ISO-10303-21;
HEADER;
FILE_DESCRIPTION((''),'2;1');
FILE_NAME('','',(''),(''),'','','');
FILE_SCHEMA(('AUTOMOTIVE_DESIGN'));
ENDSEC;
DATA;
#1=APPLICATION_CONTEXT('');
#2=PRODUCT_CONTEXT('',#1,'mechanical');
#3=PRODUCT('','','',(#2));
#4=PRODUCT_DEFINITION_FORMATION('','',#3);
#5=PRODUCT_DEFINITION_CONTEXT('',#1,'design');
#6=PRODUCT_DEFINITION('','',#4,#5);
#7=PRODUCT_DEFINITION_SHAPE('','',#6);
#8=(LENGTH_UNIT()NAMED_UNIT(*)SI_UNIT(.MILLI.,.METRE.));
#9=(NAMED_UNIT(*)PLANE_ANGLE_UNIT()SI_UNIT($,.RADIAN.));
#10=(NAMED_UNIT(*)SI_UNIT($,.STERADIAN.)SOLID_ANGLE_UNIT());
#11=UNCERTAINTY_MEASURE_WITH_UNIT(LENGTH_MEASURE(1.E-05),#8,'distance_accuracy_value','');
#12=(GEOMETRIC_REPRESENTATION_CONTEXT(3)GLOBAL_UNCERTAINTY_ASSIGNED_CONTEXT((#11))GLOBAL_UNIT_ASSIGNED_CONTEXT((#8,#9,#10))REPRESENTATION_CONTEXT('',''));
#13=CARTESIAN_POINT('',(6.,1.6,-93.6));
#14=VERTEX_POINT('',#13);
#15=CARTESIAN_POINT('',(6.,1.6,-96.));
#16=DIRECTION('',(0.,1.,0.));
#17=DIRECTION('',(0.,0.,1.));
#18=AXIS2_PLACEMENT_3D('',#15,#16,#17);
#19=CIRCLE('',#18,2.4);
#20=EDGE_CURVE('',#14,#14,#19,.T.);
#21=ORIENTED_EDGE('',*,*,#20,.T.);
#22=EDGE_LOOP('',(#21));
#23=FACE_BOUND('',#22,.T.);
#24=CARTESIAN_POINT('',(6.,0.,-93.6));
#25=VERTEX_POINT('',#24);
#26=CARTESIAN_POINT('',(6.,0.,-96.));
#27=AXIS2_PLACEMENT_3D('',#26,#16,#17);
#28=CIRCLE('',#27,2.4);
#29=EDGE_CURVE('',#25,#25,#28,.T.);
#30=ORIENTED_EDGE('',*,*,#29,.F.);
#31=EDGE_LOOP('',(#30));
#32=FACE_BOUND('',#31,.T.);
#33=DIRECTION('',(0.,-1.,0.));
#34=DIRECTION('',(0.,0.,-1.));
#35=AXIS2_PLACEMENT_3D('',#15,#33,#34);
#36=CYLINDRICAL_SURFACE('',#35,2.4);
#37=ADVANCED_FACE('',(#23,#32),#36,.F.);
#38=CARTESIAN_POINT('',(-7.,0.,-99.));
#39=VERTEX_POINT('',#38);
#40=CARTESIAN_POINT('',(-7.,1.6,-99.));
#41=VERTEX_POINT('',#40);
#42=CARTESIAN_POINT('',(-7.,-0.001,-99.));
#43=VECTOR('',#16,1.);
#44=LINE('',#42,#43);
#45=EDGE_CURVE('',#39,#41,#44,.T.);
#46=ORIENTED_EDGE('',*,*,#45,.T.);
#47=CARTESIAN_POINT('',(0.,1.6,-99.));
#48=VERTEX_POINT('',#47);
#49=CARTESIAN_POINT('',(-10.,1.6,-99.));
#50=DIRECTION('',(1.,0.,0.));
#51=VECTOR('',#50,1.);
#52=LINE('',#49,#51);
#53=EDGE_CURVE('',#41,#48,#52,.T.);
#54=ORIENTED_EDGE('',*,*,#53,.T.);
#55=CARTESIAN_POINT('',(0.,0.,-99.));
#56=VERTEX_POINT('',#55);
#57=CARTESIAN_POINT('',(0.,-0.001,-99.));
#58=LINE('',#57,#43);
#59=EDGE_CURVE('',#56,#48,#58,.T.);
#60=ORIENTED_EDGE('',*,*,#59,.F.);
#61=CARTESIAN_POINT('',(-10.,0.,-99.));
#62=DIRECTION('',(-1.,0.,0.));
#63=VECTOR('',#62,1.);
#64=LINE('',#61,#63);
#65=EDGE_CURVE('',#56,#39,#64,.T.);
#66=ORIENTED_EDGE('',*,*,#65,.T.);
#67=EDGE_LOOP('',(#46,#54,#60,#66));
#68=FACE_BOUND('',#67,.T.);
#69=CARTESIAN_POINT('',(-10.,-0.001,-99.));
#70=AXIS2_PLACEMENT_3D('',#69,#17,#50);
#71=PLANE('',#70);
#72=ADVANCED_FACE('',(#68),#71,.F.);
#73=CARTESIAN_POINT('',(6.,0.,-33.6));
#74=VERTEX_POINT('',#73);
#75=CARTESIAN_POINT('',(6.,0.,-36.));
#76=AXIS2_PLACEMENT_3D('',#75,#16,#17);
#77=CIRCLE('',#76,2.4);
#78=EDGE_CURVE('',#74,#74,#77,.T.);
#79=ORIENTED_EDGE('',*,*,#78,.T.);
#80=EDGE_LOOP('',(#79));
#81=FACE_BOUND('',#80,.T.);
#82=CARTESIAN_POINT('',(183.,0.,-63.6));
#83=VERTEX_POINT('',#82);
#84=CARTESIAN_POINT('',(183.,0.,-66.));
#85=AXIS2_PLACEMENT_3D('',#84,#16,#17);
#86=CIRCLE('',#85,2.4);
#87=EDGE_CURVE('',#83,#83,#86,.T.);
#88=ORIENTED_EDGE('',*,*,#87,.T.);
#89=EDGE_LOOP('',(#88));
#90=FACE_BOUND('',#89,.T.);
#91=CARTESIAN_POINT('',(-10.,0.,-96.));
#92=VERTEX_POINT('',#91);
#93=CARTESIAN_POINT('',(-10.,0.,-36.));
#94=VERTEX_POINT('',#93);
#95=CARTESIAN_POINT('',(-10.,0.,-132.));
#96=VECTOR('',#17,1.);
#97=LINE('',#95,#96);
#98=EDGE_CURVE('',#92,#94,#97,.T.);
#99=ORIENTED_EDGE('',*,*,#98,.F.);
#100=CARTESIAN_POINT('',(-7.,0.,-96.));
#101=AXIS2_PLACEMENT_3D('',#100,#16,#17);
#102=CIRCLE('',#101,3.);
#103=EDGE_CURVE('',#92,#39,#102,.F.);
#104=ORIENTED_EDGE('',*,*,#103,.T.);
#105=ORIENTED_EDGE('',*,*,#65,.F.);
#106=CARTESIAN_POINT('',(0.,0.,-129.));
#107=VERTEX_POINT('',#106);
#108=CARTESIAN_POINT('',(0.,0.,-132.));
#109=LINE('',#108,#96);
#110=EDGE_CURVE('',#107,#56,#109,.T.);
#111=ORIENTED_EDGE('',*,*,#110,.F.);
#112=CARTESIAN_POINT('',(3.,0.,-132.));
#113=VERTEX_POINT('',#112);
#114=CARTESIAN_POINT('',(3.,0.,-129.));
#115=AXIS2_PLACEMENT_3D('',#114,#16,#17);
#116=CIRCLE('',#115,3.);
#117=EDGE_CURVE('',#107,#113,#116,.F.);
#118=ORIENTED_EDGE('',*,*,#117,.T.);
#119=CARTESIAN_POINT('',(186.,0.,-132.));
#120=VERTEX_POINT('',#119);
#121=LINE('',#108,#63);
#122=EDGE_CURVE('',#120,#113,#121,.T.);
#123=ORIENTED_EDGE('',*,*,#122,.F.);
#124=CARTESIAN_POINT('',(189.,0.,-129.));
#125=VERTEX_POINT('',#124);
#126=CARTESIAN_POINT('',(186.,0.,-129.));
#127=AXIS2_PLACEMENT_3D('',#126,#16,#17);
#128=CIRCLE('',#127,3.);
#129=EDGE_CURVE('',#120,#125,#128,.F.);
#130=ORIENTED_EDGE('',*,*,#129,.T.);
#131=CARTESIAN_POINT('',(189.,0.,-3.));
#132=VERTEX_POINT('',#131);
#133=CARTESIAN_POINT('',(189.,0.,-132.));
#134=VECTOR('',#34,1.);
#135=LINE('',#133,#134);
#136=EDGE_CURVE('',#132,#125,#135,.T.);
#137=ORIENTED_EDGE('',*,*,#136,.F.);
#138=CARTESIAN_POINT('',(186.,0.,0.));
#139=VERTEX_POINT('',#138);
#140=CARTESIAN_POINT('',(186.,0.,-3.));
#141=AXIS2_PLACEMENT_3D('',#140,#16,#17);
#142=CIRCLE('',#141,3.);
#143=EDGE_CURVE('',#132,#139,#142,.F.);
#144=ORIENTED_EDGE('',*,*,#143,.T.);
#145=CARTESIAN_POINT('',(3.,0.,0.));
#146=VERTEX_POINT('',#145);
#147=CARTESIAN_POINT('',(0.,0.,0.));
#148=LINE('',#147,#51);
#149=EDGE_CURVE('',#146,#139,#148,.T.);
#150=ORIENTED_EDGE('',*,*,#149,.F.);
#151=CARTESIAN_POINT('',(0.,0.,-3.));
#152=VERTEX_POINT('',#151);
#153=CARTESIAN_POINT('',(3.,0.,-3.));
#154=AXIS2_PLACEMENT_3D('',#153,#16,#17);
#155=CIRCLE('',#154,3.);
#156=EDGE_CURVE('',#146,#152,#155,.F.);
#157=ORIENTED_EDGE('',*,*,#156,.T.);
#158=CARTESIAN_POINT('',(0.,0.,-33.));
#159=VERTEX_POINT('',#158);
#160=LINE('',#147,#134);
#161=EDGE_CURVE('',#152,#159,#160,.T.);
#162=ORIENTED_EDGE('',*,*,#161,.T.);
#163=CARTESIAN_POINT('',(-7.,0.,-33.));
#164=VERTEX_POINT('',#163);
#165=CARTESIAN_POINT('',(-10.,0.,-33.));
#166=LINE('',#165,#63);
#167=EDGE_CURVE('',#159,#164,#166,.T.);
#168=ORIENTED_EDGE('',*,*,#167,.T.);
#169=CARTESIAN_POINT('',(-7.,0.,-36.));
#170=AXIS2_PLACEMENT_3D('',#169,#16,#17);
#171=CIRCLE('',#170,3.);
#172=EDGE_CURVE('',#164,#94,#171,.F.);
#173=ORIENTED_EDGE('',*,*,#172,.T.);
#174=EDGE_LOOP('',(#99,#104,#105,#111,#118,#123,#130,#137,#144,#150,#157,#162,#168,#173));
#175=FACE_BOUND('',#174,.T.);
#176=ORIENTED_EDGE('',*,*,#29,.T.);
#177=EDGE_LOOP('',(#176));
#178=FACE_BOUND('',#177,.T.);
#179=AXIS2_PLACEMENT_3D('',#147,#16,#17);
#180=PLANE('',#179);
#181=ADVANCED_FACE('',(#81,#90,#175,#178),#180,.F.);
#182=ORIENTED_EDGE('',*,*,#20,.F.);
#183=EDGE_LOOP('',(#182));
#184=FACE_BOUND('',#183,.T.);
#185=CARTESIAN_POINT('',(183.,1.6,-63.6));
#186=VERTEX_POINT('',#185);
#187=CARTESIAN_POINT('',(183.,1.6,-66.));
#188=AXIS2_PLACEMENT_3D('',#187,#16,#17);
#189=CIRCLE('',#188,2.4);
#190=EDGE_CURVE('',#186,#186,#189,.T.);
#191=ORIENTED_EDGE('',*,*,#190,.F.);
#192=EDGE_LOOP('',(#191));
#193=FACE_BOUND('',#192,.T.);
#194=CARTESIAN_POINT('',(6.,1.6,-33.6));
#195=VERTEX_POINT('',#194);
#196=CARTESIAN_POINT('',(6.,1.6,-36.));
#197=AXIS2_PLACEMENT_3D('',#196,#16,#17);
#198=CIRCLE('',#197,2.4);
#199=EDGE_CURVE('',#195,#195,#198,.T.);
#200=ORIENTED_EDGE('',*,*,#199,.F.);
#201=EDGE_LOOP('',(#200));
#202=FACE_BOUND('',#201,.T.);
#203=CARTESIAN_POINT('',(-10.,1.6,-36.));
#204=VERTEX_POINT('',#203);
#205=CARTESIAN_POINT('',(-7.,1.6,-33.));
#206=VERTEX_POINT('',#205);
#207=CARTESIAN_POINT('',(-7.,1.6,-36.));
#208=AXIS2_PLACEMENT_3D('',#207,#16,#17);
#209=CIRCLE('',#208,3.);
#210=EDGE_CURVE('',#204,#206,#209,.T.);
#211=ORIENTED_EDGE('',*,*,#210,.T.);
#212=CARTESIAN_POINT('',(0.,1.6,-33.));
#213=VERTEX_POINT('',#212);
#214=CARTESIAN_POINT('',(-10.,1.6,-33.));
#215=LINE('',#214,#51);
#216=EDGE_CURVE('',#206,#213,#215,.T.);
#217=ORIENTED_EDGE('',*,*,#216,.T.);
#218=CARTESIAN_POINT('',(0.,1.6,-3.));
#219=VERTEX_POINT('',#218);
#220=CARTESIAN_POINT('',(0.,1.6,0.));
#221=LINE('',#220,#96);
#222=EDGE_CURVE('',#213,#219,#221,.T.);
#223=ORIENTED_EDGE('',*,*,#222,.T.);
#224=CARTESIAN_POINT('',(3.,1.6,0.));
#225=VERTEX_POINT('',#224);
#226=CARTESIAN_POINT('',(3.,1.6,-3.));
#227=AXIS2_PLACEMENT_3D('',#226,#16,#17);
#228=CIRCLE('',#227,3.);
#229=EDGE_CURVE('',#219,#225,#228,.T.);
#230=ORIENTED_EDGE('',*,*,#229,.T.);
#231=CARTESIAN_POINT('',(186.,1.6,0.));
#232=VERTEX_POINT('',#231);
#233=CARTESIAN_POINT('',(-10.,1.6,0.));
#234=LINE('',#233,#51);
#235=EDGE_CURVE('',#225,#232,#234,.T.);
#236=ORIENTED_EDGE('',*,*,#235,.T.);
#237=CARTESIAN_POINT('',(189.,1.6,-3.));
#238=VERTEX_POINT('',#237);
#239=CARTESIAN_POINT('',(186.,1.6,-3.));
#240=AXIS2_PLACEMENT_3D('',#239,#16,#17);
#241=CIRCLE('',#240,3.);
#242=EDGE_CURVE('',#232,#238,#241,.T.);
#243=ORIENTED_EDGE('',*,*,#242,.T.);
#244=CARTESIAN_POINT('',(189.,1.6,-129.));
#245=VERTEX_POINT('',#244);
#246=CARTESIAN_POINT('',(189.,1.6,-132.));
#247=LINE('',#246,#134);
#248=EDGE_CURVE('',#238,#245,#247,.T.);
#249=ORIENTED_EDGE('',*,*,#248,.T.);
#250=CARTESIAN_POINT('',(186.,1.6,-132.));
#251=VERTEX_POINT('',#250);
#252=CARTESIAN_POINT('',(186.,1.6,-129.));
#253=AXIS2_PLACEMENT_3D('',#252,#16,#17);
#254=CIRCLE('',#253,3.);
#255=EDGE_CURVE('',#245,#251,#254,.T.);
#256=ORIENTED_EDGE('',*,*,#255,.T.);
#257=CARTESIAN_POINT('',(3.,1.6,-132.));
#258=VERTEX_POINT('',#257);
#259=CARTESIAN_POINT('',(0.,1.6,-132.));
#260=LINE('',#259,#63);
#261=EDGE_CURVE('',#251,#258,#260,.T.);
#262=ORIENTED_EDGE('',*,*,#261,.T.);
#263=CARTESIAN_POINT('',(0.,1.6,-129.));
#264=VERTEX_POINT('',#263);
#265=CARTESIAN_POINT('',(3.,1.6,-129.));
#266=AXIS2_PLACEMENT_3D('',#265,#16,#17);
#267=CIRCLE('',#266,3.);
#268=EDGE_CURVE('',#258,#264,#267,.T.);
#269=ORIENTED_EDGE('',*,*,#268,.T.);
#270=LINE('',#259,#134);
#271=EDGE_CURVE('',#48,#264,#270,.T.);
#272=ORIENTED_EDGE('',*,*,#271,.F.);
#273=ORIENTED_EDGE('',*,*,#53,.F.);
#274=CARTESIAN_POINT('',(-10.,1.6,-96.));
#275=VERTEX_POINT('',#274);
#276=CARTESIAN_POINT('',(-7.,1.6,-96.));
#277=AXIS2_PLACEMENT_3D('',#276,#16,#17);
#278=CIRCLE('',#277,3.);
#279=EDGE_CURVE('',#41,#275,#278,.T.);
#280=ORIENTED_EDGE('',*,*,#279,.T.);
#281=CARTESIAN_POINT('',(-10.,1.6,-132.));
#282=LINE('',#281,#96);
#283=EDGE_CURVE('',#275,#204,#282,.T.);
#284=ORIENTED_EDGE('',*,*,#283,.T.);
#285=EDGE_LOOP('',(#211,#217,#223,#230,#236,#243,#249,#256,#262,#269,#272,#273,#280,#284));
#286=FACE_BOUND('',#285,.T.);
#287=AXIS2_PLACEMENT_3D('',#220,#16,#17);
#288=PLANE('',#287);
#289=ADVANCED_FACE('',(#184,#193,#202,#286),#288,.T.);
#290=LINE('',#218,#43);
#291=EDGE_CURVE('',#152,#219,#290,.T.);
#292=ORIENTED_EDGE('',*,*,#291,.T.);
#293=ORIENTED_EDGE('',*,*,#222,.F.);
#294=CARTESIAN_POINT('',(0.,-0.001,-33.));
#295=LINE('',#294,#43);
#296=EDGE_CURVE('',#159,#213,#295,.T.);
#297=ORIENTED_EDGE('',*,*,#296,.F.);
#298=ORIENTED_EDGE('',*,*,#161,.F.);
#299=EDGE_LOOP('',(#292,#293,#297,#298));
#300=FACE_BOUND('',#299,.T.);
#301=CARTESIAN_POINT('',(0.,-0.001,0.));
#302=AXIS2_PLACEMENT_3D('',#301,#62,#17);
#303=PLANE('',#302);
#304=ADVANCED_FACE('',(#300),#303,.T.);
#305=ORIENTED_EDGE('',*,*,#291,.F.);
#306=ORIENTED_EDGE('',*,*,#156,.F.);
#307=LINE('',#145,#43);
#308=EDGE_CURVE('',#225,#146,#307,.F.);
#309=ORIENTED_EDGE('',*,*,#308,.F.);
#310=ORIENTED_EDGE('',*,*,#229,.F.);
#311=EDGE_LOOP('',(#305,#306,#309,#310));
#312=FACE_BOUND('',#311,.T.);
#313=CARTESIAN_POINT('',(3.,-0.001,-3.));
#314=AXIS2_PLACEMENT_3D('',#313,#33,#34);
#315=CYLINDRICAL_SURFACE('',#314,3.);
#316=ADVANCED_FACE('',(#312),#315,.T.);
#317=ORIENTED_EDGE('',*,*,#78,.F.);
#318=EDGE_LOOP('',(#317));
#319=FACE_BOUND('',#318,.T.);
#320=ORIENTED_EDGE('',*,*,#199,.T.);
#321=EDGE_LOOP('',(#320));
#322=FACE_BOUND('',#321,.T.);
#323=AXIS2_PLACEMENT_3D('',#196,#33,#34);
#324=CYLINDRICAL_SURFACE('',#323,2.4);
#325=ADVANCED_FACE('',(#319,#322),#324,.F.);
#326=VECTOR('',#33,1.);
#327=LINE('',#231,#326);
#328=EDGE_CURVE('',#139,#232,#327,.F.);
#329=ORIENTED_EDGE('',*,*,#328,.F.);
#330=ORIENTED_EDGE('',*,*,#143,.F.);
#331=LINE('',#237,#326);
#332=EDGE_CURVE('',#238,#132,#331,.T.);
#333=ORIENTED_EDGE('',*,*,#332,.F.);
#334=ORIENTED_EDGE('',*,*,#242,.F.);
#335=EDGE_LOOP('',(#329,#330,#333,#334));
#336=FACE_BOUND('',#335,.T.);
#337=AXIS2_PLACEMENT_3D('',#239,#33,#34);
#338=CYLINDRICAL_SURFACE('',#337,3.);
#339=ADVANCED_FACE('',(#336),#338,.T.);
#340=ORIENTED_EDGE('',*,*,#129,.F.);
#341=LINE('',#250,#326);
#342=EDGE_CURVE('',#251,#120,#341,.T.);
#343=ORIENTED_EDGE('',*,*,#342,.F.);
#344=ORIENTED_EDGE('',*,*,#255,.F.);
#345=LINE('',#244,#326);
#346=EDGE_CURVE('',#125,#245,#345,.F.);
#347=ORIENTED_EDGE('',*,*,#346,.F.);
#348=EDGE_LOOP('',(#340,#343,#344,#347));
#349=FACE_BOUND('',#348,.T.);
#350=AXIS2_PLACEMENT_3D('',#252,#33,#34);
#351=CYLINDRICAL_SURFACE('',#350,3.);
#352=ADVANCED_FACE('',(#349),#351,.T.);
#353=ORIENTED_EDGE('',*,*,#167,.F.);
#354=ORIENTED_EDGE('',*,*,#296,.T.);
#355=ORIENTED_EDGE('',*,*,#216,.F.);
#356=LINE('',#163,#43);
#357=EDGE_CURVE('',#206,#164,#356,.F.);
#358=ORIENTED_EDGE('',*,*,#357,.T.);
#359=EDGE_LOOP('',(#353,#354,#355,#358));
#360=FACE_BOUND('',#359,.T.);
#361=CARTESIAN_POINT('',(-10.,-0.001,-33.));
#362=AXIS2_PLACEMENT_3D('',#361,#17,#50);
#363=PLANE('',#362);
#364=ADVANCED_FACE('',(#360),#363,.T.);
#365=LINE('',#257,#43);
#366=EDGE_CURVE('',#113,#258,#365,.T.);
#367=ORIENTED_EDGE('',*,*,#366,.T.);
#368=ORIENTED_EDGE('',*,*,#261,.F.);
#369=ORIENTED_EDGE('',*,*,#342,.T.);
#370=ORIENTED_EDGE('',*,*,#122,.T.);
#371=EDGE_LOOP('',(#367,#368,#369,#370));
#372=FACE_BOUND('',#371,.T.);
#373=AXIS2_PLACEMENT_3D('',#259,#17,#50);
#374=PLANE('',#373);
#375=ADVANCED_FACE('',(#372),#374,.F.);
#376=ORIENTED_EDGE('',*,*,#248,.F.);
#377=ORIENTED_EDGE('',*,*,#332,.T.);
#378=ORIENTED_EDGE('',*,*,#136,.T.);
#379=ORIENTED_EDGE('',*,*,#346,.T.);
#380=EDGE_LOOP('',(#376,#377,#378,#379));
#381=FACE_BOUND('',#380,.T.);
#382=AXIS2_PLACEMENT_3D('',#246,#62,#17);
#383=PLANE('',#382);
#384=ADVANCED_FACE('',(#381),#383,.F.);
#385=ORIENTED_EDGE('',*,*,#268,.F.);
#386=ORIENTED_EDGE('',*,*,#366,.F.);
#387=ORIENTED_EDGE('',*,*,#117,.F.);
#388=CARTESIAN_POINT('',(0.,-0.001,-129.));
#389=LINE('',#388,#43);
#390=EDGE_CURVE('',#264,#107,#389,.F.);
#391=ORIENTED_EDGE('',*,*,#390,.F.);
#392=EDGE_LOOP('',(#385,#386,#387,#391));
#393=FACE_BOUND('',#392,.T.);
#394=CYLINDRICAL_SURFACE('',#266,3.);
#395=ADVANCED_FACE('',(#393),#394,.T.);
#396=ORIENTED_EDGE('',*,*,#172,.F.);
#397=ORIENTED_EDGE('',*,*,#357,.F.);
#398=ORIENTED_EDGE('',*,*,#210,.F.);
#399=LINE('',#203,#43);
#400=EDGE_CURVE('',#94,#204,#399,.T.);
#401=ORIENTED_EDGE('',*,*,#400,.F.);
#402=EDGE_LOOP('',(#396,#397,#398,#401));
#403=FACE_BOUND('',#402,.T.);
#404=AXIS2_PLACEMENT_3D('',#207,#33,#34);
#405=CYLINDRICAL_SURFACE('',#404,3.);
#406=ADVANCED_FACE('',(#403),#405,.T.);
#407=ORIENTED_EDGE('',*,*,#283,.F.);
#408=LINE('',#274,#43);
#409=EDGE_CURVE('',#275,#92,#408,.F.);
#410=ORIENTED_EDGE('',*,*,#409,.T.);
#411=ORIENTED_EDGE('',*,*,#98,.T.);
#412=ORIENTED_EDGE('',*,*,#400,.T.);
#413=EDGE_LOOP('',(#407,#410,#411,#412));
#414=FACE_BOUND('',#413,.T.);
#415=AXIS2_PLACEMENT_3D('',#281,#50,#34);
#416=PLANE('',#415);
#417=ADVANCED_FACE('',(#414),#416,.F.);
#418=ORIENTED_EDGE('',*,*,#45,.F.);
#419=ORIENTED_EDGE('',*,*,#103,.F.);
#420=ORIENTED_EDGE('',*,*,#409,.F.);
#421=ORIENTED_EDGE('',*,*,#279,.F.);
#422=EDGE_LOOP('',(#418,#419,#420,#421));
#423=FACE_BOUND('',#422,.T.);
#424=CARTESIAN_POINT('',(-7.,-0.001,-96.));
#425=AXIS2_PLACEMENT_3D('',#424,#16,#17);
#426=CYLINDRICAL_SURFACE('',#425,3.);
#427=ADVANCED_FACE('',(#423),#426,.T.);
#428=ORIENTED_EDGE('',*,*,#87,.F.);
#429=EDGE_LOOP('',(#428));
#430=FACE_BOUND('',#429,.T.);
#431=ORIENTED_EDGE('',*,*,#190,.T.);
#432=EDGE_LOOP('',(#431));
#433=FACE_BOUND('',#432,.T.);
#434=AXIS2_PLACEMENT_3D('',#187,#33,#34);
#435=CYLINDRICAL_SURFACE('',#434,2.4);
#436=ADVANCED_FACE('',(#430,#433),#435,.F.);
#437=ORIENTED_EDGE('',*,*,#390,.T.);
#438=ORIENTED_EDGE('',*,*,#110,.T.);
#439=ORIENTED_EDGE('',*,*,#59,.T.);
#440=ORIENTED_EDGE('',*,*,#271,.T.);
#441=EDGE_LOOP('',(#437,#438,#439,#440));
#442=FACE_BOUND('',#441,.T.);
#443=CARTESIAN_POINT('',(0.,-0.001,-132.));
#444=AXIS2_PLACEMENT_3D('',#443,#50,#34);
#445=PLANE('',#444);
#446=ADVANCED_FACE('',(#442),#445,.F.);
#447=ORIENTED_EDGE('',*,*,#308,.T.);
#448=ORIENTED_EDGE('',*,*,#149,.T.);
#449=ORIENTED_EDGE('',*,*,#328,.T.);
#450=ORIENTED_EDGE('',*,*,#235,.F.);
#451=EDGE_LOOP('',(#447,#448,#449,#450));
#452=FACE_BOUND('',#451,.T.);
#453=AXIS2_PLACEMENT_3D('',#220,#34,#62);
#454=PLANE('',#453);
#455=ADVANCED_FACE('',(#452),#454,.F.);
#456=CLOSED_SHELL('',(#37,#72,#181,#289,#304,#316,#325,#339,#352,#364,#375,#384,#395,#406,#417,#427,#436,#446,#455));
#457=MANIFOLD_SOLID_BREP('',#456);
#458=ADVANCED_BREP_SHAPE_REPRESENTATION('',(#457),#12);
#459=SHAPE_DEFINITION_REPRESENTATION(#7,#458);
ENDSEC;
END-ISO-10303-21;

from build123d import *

# Parameters (mm, degrees)
SKETCH1_R           = 2.4
BOSS_EXTRUDE1_DEPTH = 1.6
CUT_EXTRUDE1_REACH  = 232.538
SKETCH2_W           = 10
SKETCH2_H           = 33
FILLET1_R           = 3


with BuildPart() as part:
    # Sketch1 → Boss-Extrude1 (new body)
    with BuildSketch(Plane(origin=(0, 0, 0), x_dir=(1, 0, 0), z_dir=(0, 1, 0))):
        Polygon((0, 132), (189, 132), (189, 0), (0, 0), (-10, 0), (-10, 132), align=None)
        with Locations(Location((6, 96, 0), (0, 0, 270))):
            Circle(SKETCH1_R, mode=Mode.SUBTRACT)
        with Locations(Location((6, 36, 0), (0, 0, 270))):
            Circle(SKETCH1_R, mode=Mode.SUBTRACT)
        with Locations(Location((183, 66, 0), (0, 0, 270))):
            Circle(SKETCH1_R, mode=Mode.SUBTRACT)
    extrude(amount=BOSS_EXTRUDE1_DEPTH)

    # Sketch2 → Cut-Extrude1 (cut, up to next)
    with BuildSketch(Plane(origin=(0, 1.6, 0), x_dir=(1, 0, 0), z_dir=(0, 1, 0)), mode=Mode.PRIVATE) as cut_extrude1_sk1:
        with Locations((-5, 115.5)):
            Rectangle(SKETCH2_W, SKETCH2_H)
    cut_extrude1_tool1 = extrude(cut_extrude1_sk1.sketch, amount=-CUT_EXTRUDE1_REACH, mode=Mode.PRIVATE) & part.part
    cut_extrude1 = cut_extrude1_tool1.solids().sort_by_distance((-5, 1.6, -115.5))[0]
    add(cut_extrude1, mode=Mode.SUBTRACT)

    # Mirror1: Cut-Extrude1 across plane
    add(cut_extrude1.mirror(Plane.XY.offset(-66)), mode=Mode.SUBTRACT)

    # Fillet1
    fillet1_edges = [part.edges().sort_by_distance(p)[0] for p in [
        (189, 0.8, -132),
        (189, 0.8, 0),
        (-10, 0.8, -99),
        (0, 0.8, -132),
        (-10, 0.8, -33),
        (0, 0.8, 0),
    ]]
    fillet(fillet1_edges, radius=FILLET1_R)


solid = part.part
